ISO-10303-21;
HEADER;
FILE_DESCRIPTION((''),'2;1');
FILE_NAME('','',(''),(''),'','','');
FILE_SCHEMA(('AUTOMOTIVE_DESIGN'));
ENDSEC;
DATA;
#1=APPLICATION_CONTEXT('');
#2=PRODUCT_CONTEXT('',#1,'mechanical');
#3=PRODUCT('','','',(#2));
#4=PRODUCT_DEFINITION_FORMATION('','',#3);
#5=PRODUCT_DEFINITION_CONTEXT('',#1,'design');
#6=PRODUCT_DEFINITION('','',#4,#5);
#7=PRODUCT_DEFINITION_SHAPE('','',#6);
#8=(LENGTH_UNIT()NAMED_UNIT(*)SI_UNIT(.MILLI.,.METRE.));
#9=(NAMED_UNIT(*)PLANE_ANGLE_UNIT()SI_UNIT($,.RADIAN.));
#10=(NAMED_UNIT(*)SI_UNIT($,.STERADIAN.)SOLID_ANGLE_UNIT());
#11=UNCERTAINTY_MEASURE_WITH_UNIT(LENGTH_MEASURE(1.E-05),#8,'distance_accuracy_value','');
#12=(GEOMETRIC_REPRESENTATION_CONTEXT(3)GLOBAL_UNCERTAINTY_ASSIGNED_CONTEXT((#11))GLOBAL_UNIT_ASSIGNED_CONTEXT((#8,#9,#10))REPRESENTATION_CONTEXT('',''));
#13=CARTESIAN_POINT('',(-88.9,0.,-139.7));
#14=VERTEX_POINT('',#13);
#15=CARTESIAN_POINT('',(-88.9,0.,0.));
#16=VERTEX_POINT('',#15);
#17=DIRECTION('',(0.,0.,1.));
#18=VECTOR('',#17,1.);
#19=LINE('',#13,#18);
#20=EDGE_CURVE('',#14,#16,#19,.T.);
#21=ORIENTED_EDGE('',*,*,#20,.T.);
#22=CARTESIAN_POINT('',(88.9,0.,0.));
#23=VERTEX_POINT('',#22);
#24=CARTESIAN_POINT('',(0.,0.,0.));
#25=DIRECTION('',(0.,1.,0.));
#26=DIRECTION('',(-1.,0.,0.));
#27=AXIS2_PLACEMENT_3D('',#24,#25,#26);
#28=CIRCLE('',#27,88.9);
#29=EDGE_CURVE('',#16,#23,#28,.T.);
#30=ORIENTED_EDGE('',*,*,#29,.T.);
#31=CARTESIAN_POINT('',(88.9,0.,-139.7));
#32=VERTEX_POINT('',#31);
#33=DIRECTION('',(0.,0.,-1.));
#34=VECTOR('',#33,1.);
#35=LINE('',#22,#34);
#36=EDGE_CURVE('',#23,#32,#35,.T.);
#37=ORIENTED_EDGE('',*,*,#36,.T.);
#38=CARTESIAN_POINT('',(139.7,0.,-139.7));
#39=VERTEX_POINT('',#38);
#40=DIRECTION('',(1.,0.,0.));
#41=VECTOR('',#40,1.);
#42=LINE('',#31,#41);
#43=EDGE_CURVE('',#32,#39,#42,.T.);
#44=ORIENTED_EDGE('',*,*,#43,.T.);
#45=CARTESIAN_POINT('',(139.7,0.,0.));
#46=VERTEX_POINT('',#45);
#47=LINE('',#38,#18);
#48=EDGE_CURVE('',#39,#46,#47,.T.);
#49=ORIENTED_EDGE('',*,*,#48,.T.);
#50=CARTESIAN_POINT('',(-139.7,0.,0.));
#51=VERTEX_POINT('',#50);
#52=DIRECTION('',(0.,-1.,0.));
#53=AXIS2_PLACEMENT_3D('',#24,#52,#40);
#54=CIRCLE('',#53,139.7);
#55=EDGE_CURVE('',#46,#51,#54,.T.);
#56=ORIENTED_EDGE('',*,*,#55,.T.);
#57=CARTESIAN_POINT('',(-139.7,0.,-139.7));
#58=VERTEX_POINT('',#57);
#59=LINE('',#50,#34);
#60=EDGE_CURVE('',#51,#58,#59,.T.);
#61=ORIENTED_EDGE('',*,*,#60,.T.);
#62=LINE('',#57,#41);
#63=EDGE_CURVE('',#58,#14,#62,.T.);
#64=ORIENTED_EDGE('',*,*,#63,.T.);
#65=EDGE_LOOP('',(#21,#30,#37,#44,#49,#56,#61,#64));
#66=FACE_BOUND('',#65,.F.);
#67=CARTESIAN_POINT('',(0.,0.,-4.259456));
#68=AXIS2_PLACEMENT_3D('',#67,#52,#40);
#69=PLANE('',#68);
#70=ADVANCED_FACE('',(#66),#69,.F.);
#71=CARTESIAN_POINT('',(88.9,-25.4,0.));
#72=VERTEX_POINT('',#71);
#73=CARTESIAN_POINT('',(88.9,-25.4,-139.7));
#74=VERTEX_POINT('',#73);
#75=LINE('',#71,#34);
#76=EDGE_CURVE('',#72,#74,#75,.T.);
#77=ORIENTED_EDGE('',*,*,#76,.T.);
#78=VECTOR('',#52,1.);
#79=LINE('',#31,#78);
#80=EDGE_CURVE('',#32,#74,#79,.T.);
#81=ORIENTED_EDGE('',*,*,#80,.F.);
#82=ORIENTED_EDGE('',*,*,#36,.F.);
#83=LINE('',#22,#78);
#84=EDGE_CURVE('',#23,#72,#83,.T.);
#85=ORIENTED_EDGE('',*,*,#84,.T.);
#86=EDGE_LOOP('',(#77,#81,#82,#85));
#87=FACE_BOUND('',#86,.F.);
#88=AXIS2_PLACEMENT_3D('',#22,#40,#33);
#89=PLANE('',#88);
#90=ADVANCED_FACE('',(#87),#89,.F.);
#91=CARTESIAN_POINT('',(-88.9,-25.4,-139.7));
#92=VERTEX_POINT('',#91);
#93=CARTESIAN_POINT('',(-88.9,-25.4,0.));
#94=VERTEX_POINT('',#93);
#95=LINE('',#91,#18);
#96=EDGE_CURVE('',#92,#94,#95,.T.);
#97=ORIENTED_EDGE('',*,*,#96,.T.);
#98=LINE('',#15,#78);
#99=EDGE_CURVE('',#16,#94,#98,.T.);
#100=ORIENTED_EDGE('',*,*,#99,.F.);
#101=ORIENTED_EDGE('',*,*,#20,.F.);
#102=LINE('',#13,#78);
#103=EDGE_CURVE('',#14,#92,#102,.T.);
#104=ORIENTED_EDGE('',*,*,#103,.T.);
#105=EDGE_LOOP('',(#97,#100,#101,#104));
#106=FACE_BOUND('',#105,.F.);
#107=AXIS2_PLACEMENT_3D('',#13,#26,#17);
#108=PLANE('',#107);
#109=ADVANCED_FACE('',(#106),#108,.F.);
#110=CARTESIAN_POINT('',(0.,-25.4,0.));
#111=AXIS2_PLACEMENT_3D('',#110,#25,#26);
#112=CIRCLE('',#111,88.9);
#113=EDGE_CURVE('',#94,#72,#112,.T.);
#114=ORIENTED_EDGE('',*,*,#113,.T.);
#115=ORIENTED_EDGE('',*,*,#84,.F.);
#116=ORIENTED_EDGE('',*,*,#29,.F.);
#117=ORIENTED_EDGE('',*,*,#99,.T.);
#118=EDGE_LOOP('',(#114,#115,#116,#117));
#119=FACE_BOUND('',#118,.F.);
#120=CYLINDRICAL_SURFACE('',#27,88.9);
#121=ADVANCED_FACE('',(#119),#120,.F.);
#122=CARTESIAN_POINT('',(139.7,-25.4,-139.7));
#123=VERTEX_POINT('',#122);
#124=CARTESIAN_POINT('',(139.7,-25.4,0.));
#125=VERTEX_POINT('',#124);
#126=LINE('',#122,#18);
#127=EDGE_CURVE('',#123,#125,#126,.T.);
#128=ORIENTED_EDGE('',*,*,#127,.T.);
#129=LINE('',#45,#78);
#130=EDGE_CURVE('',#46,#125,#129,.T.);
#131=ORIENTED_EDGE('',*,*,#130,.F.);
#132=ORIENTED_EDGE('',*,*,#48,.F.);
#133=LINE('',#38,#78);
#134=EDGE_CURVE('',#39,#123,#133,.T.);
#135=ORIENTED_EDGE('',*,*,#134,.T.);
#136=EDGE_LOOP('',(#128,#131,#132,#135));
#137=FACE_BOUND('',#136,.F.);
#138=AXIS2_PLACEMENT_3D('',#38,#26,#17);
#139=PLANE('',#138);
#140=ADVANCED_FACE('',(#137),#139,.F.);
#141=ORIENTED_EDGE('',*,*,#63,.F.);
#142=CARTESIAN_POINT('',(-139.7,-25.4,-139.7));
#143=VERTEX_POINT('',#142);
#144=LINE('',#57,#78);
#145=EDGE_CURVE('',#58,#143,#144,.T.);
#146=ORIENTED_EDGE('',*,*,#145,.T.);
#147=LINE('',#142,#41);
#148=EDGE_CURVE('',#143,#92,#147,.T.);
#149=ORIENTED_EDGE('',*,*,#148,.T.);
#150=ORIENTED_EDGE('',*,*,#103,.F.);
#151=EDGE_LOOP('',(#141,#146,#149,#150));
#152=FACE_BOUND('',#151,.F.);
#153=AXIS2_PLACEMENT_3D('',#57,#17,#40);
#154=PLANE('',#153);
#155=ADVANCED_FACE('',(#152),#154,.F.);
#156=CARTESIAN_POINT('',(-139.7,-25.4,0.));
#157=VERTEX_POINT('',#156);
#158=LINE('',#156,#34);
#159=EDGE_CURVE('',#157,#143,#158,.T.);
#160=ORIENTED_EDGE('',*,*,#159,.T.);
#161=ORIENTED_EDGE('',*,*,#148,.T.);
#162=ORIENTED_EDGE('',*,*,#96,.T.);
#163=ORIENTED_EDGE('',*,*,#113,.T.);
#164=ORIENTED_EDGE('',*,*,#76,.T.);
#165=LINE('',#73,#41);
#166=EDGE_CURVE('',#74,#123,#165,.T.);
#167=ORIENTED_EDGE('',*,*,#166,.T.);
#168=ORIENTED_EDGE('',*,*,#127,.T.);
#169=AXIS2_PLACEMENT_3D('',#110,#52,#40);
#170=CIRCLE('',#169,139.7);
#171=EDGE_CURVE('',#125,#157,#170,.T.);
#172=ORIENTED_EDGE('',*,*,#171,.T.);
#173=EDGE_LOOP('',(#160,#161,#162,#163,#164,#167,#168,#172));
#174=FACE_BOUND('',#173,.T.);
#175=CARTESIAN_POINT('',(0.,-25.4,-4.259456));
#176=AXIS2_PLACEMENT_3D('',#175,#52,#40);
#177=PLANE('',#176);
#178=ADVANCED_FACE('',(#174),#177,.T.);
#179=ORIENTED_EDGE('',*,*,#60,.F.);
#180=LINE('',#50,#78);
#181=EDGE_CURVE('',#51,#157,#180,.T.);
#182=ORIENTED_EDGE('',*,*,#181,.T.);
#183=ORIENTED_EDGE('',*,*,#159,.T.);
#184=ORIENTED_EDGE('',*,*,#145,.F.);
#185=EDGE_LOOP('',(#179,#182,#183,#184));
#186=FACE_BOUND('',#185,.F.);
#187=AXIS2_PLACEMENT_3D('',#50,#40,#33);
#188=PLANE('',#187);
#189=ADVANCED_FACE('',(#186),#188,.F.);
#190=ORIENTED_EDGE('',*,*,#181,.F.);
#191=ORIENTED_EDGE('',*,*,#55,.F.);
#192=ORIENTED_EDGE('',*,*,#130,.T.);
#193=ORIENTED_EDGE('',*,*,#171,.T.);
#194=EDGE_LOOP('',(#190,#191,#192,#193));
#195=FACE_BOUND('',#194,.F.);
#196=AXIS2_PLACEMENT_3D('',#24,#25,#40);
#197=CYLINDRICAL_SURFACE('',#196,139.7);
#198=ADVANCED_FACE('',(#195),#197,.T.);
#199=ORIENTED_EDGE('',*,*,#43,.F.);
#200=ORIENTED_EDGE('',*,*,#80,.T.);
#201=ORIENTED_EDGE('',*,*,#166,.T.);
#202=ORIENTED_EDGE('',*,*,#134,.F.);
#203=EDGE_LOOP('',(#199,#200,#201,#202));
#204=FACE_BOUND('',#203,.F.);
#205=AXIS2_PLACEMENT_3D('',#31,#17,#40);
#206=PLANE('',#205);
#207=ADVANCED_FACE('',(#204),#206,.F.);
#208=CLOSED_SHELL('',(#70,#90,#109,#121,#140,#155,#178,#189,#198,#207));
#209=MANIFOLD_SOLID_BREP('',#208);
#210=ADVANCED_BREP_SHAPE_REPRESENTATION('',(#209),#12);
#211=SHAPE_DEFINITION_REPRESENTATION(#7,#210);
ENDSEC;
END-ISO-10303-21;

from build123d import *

# Parameters (mm, degrees)
F1_DEPTH = 25.4


with BuildPart() as f1:
    # F0 (on Front) → F1 (new body)
    with BuildSketch(Plane.XZ):
        with BuildLine():
            Line((139.7, -139.7), (139.7, 0))
            ThreePointArc((139.7, 0), (0, 139.7), (-139.7, 0))
            Line((-139.7, 0), (-139.7, -139.7))
            Line((-139.7, -139.7), (-88.9, -139.7))
            Line((-88.9, -139.7), (-88.9, 0))
            ThreePointArc((-88.9, 0), (0, 88.9), (88.9, 0))
            Line((88.9, 0), (88.9, -139.7))
            Line((88.9, -139.7), (139.7, -139.7))
        make_face()
    extrude(amount=F1_DEPTH)


solid = f1.part
